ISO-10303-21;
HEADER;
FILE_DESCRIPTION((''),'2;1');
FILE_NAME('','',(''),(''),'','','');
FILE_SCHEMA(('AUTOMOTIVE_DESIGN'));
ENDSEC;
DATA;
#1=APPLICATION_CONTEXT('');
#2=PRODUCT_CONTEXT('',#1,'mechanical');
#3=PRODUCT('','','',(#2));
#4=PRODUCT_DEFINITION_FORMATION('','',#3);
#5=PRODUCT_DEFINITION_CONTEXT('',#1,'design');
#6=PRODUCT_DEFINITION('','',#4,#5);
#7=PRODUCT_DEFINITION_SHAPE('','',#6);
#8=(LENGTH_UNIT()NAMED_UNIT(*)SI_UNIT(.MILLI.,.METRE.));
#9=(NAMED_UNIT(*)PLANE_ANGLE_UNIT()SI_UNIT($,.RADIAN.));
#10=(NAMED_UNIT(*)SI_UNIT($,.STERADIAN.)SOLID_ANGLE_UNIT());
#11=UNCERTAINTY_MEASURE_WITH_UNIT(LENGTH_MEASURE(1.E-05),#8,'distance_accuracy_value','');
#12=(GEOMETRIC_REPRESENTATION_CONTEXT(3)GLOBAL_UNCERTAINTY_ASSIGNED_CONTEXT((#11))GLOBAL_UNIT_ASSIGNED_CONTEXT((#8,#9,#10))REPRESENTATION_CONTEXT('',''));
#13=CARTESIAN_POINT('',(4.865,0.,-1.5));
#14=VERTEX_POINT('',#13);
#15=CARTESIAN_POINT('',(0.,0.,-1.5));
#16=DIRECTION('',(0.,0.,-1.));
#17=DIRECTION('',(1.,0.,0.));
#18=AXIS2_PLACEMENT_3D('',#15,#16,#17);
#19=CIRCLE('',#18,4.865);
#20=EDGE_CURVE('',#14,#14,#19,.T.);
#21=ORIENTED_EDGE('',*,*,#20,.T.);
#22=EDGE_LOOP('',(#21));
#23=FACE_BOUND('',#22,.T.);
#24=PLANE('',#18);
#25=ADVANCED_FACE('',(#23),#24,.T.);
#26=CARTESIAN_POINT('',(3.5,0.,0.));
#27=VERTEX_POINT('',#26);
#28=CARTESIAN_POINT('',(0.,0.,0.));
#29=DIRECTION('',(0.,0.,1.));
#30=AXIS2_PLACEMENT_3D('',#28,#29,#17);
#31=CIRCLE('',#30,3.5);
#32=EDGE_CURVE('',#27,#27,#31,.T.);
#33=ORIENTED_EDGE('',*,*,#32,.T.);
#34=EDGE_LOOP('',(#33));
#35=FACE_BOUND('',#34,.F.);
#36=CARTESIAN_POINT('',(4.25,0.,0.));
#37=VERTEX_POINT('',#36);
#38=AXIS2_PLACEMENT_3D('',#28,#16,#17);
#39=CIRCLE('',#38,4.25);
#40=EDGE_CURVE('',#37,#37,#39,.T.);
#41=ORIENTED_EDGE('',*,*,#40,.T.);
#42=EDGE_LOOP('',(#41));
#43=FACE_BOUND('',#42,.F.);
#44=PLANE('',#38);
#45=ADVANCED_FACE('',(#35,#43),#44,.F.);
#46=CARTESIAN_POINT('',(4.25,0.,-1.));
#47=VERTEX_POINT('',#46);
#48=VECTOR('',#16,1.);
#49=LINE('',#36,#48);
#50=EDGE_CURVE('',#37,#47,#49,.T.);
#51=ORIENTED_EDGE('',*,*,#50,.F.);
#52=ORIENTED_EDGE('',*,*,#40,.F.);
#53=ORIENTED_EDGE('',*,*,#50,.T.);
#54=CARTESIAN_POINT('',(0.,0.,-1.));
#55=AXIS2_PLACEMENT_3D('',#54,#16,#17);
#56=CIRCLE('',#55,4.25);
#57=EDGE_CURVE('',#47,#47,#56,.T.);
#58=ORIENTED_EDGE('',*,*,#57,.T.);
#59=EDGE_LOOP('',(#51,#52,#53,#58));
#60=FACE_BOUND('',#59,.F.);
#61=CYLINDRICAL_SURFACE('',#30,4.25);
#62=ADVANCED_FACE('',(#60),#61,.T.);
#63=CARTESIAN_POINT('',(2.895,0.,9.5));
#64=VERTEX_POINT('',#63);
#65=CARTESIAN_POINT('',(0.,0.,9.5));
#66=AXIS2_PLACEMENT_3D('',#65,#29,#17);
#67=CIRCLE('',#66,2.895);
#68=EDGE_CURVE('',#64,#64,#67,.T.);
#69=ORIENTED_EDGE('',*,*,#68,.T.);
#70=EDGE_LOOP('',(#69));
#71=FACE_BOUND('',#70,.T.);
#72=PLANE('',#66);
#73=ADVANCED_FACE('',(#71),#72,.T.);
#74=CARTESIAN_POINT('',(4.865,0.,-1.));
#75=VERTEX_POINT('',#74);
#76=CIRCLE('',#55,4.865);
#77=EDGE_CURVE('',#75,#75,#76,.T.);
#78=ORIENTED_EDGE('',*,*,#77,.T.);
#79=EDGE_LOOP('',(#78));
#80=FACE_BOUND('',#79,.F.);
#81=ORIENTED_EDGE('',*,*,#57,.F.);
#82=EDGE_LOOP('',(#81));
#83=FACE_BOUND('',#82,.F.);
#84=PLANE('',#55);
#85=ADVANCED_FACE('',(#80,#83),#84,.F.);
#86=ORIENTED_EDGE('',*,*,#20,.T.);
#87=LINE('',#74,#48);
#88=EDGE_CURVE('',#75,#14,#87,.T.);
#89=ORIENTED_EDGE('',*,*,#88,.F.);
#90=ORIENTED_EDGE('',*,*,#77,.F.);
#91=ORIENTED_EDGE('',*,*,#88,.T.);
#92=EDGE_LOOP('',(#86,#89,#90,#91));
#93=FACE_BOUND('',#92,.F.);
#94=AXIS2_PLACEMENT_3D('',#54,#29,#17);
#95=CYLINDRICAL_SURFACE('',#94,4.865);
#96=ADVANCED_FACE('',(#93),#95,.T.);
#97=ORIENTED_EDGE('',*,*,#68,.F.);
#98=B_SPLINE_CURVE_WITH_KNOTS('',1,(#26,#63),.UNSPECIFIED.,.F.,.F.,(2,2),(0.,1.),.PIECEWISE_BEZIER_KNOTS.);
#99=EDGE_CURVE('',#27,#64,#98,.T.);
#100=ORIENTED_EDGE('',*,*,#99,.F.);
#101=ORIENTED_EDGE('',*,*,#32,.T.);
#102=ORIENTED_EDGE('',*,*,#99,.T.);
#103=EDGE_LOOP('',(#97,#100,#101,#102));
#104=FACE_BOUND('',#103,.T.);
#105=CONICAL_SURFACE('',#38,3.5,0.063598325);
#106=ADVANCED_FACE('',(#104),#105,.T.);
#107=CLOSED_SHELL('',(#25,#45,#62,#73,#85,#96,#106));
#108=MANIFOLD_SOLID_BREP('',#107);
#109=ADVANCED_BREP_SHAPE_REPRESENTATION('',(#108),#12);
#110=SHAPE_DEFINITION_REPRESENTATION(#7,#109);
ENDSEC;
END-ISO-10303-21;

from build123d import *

# Parameters (mm, degrees)
F0_R     = 3.5
F2_R     = 2.895
F4_R     = 4.25
F5_DEPTH = 1
F6_R     = 4.865
F7_DEPTH = 0.5


with BuildPart() as f3:
    # F0 (on Top) → F3 section 0
    with BuildSketch(Plane.XY):
        Circle(F0_R)
    # F2 (on offset) → F3 section 1
    with BuildSketch(Plane.XY.offset(9.5)):
        Circle(F2_R)
    loft()

    # F4 (on face) → F5 (join)
    with BuildSketch(Plane(origin=(0, 0, 0), x_dir=(1, 0, 0), z_dir=(0, 0, -1))):
        Circle(F4_R)
    extrude(amount=F5_DEPTH)

    # F6 (on face) → F7 (join)
    with BuildSketch(Plane(origin=(0, 0, -1), x_dir=(1, 0, 0), z_dir=(0, 0, -1))):
        Circle(F6_R)
    extrude(amount=F7_DEPTH)


solid = f3.part
